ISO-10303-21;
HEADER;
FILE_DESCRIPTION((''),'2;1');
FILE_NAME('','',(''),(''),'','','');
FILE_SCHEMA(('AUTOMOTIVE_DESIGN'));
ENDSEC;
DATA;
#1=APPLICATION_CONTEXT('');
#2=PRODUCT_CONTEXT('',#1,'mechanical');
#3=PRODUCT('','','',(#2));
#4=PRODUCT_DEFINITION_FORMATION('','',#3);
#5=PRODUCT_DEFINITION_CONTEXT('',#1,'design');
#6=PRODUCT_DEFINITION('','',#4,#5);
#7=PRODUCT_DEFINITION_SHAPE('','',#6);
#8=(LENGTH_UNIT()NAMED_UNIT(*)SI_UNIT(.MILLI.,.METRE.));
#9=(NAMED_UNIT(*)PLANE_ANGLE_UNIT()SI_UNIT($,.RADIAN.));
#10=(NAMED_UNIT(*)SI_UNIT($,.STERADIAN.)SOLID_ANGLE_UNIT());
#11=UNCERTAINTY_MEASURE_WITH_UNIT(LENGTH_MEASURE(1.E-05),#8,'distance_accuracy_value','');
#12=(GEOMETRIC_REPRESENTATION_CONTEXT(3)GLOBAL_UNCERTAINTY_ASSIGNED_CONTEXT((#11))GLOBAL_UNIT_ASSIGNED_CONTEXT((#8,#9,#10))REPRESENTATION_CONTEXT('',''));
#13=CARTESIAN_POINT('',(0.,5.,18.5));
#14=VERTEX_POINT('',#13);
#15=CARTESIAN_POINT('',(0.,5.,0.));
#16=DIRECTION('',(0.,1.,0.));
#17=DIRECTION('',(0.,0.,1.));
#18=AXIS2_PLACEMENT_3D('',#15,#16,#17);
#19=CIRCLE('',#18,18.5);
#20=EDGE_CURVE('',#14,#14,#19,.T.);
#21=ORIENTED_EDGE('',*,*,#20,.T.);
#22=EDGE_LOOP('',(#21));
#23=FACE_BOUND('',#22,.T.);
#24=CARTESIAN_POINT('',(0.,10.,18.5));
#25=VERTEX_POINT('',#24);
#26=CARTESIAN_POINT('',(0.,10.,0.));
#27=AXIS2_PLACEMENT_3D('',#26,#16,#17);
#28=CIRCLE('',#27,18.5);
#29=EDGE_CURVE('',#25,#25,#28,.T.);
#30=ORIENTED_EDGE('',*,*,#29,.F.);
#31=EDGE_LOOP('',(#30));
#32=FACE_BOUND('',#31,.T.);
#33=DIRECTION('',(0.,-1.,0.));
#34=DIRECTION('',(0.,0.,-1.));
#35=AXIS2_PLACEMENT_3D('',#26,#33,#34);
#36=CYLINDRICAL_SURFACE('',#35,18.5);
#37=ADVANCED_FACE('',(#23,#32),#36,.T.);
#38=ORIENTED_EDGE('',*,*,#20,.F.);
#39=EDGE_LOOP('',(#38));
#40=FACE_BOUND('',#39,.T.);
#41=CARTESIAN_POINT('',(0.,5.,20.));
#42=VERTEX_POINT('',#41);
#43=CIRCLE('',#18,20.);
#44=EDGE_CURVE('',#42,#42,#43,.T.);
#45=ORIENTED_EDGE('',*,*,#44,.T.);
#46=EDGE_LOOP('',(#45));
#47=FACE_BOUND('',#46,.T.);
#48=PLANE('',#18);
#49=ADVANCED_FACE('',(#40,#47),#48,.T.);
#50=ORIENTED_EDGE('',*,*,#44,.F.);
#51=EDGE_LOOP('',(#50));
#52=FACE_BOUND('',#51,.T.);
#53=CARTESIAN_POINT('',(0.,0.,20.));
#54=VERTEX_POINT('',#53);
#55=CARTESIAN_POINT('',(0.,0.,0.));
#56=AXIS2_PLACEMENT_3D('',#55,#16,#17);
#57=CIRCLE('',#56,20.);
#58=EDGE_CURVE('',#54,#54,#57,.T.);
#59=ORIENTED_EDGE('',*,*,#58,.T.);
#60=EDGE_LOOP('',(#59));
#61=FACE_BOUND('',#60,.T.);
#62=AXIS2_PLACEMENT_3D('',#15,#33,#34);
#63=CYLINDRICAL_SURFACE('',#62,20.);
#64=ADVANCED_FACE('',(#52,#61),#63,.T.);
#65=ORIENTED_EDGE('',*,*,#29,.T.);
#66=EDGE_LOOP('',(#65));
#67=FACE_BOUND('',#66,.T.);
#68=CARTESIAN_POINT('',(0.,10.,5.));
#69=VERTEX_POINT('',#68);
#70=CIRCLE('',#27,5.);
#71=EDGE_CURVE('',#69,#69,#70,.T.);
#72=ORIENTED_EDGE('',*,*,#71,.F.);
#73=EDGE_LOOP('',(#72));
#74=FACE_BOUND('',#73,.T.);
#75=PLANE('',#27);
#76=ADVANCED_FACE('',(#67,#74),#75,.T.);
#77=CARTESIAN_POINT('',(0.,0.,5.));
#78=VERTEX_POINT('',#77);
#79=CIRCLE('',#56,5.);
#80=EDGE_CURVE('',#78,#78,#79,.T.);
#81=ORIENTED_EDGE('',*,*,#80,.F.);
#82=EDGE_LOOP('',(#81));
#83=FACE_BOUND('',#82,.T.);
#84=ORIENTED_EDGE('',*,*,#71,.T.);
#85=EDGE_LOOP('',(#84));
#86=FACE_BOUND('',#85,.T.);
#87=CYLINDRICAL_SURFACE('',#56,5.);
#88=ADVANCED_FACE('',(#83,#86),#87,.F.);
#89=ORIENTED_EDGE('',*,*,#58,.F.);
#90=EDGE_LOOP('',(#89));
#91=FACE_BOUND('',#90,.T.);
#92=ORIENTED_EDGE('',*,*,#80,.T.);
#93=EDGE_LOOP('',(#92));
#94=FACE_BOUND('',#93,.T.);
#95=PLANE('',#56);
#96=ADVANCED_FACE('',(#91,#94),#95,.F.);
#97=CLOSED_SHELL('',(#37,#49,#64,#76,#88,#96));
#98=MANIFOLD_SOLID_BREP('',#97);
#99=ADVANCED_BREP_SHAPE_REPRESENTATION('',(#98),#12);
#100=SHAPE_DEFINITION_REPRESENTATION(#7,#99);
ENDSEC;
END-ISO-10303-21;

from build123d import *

# Parameters (mm, degrees)
SKETCH1_R           = 20
BOSS_EXTRUDE1_DEPTH = 5
SKETCH2_R           = 18.5
BOSS_EXTRUDE2_DEPTH = 5
SKETCH3_R           = 5
CUT_EXTRUDE1_DEPTH  = 31


with BuildPart() as part:
    # Sketch1 → Boss-Extrude1 (new body)
    with BuildSketch(Plane(origin=(0, 0, 0), x_dir=(1, 0, 0), z_dir=(0, 1, 0))):
        with Locations(Location((0, 0, 0), (0, 0, 270))):
            Circle(SKETCH1_R)
    extrude(amount=BOSS_EXTRUDE1_DEPTH)

    # Sketch2 → Boss-Extrude2 (add)
    with BuildSketch(Plane(origin=(0, 5, 0), x_dir=(1, 0, 0), z_dir=(0, 1, 0))):
        with Locations(Location((0, 0, 0), (0, 0, 270))):
            Circle(SKETCH2_R)
    extrude(amount=BOSS_EXTRUDE2_DEPTH)

    # Sketch3 → Cut-Extrude1 (cut, through all)
    with BuildSketch(Plane(origin=(0, 10, 0), x_dir=(1, 0, 0), z_dir=(0, 1, 0))):
        with Locations(Location((0, 0, 0), (0, 0, 270))):
            Circle(SKETCH3_R)
    extrude(amount=-CUT_EXTRUDE1_DEPTH, mode=Mode.SUBTRACT)


solid = part.part
